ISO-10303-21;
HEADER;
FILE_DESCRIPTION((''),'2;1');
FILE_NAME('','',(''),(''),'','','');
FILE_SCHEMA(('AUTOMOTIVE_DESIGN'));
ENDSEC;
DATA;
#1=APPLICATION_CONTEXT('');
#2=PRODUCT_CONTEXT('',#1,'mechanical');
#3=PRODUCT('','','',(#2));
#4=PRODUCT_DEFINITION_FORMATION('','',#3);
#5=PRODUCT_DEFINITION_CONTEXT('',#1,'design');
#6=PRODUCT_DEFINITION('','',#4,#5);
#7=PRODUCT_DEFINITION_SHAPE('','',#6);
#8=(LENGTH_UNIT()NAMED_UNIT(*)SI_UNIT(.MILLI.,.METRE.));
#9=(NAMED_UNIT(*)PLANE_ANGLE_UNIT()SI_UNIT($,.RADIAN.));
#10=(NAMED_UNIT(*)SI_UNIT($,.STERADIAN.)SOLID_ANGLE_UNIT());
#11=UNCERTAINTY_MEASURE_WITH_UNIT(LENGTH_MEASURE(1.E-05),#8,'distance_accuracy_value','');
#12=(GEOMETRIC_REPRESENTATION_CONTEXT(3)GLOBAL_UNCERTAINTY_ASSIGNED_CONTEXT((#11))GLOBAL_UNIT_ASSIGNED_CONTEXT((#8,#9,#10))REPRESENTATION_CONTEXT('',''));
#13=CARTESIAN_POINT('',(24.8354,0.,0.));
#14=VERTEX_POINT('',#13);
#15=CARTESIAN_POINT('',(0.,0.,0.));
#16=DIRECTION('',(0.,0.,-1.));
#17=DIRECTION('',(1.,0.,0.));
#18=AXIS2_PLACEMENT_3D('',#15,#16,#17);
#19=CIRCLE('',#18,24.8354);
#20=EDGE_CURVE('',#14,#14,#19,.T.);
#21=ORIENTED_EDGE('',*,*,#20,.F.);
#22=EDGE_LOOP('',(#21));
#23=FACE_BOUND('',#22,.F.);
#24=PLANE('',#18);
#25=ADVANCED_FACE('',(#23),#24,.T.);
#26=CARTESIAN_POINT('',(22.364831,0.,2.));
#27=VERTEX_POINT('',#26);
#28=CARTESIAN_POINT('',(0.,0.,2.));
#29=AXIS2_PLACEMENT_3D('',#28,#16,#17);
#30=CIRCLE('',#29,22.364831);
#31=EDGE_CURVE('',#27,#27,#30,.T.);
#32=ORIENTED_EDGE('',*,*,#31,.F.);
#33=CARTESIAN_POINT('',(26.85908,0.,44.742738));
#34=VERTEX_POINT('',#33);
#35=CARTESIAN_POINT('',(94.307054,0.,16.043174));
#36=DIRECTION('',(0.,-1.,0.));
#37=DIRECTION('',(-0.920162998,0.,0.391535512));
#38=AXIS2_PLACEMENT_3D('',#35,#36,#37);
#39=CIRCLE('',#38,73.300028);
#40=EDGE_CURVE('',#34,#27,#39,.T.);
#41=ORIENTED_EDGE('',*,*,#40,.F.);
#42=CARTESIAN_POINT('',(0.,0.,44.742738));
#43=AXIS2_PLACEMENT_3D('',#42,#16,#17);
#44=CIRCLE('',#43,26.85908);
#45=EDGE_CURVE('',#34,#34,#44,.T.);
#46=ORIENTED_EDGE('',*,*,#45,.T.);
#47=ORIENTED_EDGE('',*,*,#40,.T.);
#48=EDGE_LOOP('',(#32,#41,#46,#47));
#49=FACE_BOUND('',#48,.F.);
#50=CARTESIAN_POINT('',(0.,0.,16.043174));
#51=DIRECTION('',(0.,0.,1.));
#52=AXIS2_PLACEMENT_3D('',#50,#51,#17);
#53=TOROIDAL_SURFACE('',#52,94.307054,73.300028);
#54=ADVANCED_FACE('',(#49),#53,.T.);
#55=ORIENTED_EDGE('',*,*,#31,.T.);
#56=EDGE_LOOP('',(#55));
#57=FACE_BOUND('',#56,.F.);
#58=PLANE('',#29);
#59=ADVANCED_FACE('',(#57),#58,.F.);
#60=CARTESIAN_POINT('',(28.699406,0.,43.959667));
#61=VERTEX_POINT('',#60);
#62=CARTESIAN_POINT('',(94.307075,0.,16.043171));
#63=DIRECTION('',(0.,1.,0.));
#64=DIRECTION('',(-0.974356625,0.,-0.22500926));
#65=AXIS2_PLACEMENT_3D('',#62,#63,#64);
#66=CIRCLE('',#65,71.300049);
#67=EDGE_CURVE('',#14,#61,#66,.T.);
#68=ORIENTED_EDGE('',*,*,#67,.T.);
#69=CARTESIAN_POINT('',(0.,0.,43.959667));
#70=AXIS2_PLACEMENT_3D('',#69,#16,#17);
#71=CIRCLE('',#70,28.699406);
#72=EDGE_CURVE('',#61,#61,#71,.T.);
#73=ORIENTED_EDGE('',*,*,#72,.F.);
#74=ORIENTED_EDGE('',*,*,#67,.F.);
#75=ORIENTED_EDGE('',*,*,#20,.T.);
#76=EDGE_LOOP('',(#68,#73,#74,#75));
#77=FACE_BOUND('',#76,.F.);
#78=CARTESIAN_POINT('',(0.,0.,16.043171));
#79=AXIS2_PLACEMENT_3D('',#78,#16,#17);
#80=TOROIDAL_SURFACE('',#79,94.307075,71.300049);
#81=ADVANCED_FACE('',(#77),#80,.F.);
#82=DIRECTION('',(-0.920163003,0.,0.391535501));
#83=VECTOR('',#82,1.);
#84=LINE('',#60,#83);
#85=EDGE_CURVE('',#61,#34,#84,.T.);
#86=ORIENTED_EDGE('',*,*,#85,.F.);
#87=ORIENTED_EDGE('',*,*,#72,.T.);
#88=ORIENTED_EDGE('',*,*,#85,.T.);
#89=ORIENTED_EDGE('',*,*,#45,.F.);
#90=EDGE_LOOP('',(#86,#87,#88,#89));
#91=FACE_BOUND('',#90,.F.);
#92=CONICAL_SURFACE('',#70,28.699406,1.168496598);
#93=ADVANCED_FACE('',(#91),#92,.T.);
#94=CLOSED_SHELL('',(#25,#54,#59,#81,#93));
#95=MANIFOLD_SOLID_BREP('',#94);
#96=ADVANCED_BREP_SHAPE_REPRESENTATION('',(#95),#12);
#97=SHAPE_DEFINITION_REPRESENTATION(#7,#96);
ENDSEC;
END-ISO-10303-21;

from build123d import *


with BuildPart() as f1:
    # F0 (on Front) → F1 (revolve)
    with BuildSketch(Plane.XZ):
        with BuildLine():
            Line((0, 2), (0, 0))
            Line((0, 0), (24.8354, 0))
            ThreePointArc((24.8354, 0), (23.28088, 22.286295), (28.699406, 43.959667))
            Line((28.699406, 43.959667), (26.85908, 44.742738))
            ThreePointArc((26.85908, 44.742738), (21.408891, 23.70816), (22.364831, 2))
            Line((22.364831, 2), (0, 2))
        make_face()
    revolve(axis=Axis((0, 0, 1), (0, 0, -1)))


solid = f1.part
